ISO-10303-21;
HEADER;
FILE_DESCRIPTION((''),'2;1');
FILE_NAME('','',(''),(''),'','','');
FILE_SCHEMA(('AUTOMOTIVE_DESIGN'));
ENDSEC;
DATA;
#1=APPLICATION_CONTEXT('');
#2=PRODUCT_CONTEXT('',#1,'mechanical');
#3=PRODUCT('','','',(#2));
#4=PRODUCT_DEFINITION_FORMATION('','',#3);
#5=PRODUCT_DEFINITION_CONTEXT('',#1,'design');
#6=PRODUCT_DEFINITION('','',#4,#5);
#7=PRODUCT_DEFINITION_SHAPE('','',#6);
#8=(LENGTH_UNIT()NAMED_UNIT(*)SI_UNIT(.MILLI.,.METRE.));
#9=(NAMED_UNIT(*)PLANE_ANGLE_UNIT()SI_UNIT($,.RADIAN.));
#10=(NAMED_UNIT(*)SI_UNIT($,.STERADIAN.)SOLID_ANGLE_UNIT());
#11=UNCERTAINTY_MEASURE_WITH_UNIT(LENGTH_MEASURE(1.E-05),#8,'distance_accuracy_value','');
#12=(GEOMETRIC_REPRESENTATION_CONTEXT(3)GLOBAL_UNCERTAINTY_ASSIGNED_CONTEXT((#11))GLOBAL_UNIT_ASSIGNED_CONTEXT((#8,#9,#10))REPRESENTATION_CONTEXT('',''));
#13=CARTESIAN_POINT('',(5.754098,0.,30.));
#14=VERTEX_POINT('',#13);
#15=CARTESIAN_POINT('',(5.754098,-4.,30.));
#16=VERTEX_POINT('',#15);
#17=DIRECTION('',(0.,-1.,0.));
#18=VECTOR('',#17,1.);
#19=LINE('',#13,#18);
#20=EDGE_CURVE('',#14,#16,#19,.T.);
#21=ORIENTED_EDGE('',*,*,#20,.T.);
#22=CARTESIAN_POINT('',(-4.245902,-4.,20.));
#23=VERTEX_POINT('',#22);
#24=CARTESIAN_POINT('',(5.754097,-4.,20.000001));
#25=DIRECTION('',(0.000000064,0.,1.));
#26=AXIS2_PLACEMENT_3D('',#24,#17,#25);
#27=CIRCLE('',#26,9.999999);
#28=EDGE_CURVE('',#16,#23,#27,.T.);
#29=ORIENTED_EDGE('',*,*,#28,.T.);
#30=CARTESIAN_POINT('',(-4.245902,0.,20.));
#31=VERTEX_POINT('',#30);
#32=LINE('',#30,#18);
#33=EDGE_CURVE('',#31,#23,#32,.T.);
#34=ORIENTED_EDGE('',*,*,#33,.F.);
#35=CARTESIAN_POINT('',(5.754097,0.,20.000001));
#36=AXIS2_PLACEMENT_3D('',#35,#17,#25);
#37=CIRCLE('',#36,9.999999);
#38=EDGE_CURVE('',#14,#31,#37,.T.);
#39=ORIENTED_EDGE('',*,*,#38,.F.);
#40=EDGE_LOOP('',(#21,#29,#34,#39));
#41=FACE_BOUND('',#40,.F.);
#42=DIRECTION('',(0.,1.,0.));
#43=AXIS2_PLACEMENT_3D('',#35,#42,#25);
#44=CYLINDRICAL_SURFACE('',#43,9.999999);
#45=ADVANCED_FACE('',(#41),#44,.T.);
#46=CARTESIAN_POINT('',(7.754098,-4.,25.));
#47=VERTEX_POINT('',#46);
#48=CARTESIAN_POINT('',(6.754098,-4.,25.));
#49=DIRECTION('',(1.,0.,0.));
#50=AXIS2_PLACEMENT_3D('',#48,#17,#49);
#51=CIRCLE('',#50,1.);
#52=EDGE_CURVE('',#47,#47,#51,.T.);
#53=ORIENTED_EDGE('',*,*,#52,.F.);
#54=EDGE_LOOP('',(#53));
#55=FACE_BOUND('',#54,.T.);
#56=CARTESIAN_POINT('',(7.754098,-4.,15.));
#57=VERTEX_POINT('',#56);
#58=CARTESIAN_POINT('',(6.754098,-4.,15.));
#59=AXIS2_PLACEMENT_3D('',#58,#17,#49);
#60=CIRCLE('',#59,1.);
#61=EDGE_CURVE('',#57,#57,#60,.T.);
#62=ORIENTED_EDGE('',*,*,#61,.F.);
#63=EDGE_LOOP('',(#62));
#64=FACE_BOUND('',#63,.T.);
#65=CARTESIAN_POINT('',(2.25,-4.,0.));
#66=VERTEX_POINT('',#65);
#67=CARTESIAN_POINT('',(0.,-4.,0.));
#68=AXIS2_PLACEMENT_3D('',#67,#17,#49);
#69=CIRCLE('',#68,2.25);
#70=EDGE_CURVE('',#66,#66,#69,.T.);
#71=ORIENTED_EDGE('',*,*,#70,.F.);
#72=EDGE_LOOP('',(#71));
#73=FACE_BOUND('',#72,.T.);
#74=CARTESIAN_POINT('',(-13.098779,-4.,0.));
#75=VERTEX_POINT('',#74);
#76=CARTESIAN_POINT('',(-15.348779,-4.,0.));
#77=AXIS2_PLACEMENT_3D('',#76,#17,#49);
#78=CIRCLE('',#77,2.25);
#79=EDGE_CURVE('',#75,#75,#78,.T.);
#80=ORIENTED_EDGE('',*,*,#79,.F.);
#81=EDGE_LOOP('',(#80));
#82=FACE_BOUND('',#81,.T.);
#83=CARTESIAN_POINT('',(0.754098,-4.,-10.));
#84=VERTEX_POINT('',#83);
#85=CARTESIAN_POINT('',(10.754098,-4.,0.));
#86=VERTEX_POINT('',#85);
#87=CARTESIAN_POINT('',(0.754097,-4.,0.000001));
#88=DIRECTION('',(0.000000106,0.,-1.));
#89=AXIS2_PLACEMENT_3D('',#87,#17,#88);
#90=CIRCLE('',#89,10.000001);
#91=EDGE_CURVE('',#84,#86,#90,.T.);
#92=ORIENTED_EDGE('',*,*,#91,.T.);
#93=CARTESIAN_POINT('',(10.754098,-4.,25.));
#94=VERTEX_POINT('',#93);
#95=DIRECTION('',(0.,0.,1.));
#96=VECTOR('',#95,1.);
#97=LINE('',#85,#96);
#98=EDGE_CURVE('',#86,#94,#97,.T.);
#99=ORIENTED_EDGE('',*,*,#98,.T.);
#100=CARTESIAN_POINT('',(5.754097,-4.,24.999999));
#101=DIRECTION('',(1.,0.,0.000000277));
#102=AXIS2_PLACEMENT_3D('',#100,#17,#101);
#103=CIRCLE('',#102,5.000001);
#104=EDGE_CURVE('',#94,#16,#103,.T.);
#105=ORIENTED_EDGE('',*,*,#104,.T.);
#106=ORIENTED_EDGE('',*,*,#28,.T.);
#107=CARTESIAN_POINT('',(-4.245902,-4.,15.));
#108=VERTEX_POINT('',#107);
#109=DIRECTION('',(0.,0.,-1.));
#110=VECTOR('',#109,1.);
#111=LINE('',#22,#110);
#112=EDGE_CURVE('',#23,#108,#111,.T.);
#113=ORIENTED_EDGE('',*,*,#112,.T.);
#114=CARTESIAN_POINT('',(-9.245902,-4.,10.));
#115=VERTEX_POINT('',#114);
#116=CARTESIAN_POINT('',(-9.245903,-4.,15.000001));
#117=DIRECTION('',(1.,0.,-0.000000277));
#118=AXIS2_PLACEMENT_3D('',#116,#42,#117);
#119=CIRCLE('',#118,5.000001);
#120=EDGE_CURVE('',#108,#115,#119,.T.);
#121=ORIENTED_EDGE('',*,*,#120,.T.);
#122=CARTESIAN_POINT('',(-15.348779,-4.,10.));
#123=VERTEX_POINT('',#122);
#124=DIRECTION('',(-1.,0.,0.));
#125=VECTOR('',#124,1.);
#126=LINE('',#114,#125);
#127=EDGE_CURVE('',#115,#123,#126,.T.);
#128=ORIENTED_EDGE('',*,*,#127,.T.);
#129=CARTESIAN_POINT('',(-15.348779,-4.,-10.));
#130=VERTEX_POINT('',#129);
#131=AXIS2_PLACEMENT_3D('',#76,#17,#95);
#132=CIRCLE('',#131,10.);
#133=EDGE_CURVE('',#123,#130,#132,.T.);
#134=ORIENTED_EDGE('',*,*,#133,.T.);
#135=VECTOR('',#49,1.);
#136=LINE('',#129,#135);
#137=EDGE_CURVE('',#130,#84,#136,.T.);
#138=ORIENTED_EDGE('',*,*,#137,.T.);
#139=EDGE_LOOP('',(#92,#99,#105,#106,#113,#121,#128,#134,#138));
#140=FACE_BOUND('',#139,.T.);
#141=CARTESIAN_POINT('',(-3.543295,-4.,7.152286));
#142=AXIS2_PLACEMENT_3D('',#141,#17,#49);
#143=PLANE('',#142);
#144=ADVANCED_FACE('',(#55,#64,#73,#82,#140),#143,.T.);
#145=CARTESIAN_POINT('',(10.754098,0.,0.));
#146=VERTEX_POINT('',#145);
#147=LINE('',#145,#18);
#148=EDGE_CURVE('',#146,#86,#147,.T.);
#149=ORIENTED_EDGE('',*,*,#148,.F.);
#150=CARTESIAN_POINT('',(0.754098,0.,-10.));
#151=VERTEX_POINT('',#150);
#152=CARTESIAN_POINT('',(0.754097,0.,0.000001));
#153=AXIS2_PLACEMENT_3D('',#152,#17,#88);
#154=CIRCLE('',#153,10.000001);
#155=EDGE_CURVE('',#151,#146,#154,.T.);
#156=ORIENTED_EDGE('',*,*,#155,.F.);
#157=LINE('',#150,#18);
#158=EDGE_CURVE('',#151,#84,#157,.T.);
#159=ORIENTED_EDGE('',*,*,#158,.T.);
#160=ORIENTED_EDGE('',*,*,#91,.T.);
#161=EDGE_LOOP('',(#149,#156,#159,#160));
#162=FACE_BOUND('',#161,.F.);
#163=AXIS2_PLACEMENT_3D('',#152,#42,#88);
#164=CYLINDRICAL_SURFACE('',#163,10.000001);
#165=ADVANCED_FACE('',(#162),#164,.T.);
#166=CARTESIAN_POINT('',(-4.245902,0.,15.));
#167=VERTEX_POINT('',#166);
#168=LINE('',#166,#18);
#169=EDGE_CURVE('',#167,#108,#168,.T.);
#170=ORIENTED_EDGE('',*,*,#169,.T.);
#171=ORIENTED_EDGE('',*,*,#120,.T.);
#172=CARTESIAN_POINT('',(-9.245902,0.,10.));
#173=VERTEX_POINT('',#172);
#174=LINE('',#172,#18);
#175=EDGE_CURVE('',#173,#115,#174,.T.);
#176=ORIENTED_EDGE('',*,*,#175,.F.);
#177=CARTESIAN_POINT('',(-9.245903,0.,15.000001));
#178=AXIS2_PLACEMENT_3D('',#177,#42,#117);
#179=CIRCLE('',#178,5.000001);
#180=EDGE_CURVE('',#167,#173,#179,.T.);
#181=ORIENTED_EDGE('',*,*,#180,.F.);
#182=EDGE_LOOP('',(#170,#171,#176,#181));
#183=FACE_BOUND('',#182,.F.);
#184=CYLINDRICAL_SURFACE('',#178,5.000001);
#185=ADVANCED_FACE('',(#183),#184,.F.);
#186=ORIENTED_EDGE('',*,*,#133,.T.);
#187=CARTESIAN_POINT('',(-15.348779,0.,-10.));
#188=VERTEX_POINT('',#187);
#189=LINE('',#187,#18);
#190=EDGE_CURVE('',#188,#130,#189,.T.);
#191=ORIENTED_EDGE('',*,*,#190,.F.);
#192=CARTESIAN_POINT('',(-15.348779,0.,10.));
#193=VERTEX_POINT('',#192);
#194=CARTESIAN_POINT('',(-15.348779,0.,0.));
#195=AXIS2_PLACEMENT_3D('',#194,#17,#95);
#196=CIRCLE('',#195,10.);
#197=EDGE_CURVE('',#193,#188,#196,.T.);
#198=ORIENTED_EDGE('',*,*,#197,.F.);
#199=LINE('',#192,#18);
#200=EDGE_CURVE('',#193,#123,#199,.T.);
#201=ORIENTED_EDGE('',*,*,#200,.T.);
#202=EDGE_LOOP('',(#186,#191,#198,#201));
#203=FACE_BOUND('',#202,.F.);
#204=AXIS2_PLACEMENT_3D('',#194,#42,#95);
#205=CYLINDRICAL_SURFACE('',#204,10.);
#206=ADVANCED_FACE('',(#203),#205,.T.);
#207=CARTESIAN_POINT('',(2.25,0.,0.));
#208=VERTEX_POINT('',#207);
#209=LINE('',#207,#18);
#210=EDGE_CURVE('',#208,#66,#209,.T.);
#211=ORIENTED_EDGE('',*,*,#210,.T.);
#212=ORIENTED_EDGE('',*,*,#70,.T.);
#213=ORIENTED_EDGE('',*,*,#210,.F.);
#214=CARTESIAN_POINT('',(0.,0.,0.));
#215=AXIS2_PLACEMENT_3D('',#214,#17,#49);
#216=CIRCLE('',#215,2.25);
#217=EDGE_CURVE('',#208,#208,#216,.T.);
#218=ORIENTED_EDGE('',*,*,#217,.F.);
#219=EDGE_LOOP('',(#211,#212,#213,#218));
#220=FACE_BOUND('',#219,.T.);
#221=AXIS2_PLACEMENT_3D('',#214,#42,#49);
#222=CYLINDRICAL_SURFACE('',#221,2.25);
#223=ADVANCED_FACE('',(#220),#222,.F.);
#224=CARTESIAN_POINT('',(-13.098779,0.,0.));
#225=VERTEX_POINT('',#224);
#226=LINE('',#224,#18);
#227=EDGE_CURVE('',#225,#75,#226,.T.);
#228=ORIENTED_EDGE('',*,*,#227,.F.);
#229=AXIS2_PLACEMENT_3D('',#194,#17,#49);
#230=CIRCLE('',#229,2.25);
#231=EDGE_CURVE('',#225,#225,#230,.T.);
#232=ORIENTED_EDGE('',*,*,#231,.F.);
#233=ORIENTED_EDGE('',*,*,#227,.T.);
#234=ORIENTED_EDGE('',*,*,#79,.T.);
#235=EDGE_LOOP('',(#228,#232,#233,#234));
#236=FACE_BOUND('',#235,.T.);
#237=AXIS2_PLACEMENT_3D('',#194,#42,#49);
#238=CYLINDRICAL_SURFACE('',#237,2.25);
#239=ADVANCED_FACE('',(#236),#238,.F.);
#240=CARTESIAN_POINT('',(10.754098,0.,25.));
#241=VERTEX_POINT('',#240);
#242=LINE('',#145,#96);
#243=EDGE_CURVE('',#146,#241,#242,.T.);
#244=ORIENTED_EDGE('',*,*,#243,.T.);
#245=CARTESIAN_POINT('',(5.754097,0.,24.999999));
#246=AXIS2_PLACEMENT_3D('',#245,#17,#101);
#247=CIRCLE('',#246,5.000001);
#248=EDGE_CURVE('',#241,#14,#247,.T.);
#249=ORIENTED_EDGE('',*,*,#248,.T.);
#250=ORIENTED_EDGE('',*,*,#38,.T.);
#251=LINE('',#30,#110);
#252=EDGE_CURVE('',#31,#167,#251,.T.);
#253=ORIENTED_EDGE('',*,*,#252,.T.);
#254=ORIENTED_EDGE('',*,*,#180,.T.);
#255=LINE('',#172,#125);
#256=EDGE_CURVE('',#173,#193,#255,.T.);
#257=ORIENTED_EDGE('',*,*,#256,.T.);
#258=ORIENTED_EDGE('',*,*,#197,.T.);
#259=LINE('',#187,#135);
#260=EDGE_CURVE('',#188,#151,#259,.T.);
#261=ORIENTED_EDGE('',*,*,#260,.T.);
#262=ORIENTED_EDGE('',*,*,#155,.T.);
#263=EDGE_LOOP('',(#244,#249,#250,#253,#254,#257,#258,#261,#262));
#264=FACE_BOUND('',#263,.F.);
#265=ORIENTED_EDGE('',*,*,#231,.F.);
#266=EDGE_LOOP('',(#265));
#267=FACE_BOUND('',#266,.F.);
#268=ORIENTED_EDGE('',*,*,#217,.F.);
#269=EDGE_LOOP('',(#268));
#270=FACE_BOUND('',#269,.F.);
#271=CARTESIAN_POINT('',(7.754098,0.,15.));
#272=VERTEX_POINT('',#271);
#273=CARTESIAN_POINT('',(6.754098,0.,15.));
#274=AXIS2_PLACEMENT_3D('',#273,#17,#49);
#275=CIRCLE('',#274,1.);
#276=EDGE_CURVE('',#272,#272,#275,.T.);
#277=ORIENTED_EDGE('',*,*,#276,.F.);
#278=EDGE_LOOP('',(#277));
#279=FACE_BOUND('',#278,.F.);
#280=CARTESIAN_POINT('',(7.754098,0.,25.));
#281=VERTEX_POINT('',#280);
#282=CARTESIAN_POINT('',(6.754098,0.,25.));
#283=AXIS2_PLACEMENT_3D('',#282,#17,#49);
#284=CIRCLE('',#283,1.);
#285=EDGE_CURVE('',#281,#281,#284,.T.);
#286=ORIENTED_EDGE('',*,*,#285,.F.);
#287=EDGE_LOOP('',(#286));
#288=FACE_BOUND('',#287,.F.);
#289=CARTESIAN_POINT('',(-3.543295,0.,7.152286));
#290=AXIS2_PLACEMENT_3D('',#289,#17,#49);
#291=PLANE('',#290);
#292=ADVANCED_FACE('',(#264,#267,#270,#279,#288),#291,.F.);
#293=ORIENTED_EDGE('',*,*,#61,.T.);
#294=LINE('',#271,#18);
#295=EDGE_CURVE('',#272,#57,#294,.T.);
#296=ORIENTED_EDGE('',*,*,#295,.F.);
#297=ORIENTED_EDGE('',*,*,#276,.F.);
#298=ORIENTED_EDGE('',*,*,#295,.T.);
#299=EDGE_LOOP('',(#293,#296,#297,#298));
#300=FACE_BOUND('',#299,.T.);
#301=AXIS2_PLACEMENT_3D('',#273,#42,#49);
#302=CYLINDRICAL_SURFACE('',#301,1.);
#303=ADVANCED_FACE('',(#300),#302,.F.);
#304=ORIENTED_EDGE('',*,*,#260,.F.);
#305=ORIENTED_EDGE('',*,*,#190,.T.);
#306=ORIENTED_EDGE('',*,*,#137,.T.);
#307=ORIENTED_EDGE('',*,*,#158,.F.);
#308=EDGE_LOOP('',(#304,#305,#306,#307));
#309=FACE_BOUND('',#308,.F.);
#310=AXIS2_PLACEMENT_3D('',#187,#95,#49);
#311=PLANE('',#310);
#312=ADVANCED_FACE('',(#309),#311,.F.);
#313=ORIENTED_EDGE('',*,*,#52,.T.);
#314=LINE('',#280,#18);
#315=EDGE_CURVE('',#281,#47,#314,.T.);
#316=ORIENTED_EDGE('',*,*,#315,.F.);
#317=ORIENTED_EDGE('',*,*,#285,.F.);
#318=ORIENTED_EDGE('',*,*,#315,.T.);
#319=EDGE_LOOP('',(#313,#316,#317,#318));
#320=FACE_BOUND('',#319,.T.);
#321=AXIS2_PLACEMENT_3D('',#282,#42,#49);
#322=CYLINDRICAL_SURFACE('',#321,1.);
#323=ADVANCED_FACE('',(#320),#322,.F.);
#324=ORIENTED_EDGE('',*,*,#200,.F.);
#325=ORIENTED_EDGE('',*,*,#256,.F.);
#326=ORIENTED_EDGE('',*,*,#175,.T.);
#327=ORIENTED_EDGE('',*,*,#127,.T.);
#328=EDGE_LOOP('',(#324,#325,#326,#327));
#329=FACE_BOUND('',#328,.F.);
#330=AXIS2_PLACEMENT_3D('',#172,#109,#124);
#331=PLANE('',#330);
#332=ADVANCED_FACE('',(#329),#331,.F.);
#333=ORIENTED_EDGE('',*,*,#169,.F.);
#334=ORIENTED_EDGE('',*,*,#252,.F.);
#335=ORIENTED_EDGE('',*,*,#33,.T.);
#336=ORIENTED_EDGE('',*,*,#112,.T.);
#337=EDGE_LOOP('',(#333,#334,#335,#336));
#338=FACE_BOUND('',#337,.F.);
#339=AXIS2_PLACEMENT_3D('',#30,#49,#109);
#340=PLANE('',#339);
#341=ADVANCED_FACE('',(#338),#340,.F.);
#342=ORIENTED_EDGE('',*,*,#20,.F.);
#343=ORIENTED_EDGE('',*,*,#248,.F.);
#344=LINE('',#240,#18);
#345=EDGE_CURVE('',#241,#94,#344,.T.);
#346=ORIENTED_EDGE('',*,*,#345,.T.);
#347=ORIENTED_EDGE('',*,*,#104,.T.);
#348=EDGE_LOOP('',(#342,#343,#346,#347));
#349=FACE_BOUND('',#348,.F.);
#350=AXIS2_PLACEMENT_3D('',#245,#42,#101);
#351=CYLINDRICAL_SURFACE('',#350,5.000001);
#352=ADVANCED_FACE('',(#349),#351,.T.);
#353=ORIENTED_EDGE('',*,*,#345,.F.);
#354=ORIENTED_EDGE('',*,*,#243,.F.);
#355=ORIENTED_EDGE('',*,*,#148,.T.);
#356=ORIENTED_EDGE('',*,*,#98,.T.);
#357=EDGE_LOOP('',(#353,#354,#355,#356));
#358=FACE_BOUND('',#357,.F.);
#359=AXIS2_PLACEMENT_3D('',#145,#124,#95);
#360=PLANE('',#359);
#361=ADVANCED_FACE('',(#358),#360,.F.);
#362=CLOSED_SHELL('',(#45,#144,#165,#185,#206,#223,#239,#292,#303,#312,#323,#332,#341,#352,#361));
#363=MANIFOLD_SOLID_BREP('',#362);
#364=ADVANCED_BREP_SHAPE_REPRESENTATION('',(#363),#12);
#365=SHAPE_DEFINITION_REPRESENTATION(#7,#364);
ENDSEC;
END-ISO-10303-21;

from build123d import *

# Parameters (mm, degrees)
F0_R     = 2.25
F0_R_2   = 1
F1_DEPTH = 4


with BuildPart() as f1:
    # F0 (on Front) → F1 (new body)
    with BuildSketch(Plane.XZ):
        with BuildLine():
            ThreePointArc((0.754098, -10), (7.825165, -7.071068), (10.754098, 0))
            Line((10.754098, 0), (10.754098, 10))
            Line((10.754098, 10), (10.754098, 15))
            Line((10.754098, 15), (10.754098, 25))
            ThreePointArc((10.754098, 25), (9.289631, 28.535534), (5.754098, 30))
            ThreePointArc((5.754098, 30), (-1.31697, 27.071068), (-4.245902, 20))
            Line((-4.245902, 20), (-4.245902, 15))
            ThreePointArc((-4.245902, 15), (-5.710369, 11.464466), (-9.245902, 10))
            Line((-9.245902, 10), (-15.348779, 10))
            ThreePointArc((-15.348779, 10), (-25.348779, 0), (-15.348779, -10))
            Line((-15.348779, -10), (0, -10))
            Line((0, -10), (0.754098, -10))
        make_face()
        with Locations((-15.348779, 0)):
            Circle(F0_R, mode=Mode.SUBTRACT)
        Circle(F0_R, mode=Mode.SUBTRACT)
        with Locations((6.754098, 15)):
            Circle(F0_R_2, mode=Mode.SUBTRACT)
        with Locations((6.754098, 25)):
            Circle(F0_R_2, mode=Mode.SUBTRACT)
    extrude(amount=F1_DEPTH)


solid = f1.part
